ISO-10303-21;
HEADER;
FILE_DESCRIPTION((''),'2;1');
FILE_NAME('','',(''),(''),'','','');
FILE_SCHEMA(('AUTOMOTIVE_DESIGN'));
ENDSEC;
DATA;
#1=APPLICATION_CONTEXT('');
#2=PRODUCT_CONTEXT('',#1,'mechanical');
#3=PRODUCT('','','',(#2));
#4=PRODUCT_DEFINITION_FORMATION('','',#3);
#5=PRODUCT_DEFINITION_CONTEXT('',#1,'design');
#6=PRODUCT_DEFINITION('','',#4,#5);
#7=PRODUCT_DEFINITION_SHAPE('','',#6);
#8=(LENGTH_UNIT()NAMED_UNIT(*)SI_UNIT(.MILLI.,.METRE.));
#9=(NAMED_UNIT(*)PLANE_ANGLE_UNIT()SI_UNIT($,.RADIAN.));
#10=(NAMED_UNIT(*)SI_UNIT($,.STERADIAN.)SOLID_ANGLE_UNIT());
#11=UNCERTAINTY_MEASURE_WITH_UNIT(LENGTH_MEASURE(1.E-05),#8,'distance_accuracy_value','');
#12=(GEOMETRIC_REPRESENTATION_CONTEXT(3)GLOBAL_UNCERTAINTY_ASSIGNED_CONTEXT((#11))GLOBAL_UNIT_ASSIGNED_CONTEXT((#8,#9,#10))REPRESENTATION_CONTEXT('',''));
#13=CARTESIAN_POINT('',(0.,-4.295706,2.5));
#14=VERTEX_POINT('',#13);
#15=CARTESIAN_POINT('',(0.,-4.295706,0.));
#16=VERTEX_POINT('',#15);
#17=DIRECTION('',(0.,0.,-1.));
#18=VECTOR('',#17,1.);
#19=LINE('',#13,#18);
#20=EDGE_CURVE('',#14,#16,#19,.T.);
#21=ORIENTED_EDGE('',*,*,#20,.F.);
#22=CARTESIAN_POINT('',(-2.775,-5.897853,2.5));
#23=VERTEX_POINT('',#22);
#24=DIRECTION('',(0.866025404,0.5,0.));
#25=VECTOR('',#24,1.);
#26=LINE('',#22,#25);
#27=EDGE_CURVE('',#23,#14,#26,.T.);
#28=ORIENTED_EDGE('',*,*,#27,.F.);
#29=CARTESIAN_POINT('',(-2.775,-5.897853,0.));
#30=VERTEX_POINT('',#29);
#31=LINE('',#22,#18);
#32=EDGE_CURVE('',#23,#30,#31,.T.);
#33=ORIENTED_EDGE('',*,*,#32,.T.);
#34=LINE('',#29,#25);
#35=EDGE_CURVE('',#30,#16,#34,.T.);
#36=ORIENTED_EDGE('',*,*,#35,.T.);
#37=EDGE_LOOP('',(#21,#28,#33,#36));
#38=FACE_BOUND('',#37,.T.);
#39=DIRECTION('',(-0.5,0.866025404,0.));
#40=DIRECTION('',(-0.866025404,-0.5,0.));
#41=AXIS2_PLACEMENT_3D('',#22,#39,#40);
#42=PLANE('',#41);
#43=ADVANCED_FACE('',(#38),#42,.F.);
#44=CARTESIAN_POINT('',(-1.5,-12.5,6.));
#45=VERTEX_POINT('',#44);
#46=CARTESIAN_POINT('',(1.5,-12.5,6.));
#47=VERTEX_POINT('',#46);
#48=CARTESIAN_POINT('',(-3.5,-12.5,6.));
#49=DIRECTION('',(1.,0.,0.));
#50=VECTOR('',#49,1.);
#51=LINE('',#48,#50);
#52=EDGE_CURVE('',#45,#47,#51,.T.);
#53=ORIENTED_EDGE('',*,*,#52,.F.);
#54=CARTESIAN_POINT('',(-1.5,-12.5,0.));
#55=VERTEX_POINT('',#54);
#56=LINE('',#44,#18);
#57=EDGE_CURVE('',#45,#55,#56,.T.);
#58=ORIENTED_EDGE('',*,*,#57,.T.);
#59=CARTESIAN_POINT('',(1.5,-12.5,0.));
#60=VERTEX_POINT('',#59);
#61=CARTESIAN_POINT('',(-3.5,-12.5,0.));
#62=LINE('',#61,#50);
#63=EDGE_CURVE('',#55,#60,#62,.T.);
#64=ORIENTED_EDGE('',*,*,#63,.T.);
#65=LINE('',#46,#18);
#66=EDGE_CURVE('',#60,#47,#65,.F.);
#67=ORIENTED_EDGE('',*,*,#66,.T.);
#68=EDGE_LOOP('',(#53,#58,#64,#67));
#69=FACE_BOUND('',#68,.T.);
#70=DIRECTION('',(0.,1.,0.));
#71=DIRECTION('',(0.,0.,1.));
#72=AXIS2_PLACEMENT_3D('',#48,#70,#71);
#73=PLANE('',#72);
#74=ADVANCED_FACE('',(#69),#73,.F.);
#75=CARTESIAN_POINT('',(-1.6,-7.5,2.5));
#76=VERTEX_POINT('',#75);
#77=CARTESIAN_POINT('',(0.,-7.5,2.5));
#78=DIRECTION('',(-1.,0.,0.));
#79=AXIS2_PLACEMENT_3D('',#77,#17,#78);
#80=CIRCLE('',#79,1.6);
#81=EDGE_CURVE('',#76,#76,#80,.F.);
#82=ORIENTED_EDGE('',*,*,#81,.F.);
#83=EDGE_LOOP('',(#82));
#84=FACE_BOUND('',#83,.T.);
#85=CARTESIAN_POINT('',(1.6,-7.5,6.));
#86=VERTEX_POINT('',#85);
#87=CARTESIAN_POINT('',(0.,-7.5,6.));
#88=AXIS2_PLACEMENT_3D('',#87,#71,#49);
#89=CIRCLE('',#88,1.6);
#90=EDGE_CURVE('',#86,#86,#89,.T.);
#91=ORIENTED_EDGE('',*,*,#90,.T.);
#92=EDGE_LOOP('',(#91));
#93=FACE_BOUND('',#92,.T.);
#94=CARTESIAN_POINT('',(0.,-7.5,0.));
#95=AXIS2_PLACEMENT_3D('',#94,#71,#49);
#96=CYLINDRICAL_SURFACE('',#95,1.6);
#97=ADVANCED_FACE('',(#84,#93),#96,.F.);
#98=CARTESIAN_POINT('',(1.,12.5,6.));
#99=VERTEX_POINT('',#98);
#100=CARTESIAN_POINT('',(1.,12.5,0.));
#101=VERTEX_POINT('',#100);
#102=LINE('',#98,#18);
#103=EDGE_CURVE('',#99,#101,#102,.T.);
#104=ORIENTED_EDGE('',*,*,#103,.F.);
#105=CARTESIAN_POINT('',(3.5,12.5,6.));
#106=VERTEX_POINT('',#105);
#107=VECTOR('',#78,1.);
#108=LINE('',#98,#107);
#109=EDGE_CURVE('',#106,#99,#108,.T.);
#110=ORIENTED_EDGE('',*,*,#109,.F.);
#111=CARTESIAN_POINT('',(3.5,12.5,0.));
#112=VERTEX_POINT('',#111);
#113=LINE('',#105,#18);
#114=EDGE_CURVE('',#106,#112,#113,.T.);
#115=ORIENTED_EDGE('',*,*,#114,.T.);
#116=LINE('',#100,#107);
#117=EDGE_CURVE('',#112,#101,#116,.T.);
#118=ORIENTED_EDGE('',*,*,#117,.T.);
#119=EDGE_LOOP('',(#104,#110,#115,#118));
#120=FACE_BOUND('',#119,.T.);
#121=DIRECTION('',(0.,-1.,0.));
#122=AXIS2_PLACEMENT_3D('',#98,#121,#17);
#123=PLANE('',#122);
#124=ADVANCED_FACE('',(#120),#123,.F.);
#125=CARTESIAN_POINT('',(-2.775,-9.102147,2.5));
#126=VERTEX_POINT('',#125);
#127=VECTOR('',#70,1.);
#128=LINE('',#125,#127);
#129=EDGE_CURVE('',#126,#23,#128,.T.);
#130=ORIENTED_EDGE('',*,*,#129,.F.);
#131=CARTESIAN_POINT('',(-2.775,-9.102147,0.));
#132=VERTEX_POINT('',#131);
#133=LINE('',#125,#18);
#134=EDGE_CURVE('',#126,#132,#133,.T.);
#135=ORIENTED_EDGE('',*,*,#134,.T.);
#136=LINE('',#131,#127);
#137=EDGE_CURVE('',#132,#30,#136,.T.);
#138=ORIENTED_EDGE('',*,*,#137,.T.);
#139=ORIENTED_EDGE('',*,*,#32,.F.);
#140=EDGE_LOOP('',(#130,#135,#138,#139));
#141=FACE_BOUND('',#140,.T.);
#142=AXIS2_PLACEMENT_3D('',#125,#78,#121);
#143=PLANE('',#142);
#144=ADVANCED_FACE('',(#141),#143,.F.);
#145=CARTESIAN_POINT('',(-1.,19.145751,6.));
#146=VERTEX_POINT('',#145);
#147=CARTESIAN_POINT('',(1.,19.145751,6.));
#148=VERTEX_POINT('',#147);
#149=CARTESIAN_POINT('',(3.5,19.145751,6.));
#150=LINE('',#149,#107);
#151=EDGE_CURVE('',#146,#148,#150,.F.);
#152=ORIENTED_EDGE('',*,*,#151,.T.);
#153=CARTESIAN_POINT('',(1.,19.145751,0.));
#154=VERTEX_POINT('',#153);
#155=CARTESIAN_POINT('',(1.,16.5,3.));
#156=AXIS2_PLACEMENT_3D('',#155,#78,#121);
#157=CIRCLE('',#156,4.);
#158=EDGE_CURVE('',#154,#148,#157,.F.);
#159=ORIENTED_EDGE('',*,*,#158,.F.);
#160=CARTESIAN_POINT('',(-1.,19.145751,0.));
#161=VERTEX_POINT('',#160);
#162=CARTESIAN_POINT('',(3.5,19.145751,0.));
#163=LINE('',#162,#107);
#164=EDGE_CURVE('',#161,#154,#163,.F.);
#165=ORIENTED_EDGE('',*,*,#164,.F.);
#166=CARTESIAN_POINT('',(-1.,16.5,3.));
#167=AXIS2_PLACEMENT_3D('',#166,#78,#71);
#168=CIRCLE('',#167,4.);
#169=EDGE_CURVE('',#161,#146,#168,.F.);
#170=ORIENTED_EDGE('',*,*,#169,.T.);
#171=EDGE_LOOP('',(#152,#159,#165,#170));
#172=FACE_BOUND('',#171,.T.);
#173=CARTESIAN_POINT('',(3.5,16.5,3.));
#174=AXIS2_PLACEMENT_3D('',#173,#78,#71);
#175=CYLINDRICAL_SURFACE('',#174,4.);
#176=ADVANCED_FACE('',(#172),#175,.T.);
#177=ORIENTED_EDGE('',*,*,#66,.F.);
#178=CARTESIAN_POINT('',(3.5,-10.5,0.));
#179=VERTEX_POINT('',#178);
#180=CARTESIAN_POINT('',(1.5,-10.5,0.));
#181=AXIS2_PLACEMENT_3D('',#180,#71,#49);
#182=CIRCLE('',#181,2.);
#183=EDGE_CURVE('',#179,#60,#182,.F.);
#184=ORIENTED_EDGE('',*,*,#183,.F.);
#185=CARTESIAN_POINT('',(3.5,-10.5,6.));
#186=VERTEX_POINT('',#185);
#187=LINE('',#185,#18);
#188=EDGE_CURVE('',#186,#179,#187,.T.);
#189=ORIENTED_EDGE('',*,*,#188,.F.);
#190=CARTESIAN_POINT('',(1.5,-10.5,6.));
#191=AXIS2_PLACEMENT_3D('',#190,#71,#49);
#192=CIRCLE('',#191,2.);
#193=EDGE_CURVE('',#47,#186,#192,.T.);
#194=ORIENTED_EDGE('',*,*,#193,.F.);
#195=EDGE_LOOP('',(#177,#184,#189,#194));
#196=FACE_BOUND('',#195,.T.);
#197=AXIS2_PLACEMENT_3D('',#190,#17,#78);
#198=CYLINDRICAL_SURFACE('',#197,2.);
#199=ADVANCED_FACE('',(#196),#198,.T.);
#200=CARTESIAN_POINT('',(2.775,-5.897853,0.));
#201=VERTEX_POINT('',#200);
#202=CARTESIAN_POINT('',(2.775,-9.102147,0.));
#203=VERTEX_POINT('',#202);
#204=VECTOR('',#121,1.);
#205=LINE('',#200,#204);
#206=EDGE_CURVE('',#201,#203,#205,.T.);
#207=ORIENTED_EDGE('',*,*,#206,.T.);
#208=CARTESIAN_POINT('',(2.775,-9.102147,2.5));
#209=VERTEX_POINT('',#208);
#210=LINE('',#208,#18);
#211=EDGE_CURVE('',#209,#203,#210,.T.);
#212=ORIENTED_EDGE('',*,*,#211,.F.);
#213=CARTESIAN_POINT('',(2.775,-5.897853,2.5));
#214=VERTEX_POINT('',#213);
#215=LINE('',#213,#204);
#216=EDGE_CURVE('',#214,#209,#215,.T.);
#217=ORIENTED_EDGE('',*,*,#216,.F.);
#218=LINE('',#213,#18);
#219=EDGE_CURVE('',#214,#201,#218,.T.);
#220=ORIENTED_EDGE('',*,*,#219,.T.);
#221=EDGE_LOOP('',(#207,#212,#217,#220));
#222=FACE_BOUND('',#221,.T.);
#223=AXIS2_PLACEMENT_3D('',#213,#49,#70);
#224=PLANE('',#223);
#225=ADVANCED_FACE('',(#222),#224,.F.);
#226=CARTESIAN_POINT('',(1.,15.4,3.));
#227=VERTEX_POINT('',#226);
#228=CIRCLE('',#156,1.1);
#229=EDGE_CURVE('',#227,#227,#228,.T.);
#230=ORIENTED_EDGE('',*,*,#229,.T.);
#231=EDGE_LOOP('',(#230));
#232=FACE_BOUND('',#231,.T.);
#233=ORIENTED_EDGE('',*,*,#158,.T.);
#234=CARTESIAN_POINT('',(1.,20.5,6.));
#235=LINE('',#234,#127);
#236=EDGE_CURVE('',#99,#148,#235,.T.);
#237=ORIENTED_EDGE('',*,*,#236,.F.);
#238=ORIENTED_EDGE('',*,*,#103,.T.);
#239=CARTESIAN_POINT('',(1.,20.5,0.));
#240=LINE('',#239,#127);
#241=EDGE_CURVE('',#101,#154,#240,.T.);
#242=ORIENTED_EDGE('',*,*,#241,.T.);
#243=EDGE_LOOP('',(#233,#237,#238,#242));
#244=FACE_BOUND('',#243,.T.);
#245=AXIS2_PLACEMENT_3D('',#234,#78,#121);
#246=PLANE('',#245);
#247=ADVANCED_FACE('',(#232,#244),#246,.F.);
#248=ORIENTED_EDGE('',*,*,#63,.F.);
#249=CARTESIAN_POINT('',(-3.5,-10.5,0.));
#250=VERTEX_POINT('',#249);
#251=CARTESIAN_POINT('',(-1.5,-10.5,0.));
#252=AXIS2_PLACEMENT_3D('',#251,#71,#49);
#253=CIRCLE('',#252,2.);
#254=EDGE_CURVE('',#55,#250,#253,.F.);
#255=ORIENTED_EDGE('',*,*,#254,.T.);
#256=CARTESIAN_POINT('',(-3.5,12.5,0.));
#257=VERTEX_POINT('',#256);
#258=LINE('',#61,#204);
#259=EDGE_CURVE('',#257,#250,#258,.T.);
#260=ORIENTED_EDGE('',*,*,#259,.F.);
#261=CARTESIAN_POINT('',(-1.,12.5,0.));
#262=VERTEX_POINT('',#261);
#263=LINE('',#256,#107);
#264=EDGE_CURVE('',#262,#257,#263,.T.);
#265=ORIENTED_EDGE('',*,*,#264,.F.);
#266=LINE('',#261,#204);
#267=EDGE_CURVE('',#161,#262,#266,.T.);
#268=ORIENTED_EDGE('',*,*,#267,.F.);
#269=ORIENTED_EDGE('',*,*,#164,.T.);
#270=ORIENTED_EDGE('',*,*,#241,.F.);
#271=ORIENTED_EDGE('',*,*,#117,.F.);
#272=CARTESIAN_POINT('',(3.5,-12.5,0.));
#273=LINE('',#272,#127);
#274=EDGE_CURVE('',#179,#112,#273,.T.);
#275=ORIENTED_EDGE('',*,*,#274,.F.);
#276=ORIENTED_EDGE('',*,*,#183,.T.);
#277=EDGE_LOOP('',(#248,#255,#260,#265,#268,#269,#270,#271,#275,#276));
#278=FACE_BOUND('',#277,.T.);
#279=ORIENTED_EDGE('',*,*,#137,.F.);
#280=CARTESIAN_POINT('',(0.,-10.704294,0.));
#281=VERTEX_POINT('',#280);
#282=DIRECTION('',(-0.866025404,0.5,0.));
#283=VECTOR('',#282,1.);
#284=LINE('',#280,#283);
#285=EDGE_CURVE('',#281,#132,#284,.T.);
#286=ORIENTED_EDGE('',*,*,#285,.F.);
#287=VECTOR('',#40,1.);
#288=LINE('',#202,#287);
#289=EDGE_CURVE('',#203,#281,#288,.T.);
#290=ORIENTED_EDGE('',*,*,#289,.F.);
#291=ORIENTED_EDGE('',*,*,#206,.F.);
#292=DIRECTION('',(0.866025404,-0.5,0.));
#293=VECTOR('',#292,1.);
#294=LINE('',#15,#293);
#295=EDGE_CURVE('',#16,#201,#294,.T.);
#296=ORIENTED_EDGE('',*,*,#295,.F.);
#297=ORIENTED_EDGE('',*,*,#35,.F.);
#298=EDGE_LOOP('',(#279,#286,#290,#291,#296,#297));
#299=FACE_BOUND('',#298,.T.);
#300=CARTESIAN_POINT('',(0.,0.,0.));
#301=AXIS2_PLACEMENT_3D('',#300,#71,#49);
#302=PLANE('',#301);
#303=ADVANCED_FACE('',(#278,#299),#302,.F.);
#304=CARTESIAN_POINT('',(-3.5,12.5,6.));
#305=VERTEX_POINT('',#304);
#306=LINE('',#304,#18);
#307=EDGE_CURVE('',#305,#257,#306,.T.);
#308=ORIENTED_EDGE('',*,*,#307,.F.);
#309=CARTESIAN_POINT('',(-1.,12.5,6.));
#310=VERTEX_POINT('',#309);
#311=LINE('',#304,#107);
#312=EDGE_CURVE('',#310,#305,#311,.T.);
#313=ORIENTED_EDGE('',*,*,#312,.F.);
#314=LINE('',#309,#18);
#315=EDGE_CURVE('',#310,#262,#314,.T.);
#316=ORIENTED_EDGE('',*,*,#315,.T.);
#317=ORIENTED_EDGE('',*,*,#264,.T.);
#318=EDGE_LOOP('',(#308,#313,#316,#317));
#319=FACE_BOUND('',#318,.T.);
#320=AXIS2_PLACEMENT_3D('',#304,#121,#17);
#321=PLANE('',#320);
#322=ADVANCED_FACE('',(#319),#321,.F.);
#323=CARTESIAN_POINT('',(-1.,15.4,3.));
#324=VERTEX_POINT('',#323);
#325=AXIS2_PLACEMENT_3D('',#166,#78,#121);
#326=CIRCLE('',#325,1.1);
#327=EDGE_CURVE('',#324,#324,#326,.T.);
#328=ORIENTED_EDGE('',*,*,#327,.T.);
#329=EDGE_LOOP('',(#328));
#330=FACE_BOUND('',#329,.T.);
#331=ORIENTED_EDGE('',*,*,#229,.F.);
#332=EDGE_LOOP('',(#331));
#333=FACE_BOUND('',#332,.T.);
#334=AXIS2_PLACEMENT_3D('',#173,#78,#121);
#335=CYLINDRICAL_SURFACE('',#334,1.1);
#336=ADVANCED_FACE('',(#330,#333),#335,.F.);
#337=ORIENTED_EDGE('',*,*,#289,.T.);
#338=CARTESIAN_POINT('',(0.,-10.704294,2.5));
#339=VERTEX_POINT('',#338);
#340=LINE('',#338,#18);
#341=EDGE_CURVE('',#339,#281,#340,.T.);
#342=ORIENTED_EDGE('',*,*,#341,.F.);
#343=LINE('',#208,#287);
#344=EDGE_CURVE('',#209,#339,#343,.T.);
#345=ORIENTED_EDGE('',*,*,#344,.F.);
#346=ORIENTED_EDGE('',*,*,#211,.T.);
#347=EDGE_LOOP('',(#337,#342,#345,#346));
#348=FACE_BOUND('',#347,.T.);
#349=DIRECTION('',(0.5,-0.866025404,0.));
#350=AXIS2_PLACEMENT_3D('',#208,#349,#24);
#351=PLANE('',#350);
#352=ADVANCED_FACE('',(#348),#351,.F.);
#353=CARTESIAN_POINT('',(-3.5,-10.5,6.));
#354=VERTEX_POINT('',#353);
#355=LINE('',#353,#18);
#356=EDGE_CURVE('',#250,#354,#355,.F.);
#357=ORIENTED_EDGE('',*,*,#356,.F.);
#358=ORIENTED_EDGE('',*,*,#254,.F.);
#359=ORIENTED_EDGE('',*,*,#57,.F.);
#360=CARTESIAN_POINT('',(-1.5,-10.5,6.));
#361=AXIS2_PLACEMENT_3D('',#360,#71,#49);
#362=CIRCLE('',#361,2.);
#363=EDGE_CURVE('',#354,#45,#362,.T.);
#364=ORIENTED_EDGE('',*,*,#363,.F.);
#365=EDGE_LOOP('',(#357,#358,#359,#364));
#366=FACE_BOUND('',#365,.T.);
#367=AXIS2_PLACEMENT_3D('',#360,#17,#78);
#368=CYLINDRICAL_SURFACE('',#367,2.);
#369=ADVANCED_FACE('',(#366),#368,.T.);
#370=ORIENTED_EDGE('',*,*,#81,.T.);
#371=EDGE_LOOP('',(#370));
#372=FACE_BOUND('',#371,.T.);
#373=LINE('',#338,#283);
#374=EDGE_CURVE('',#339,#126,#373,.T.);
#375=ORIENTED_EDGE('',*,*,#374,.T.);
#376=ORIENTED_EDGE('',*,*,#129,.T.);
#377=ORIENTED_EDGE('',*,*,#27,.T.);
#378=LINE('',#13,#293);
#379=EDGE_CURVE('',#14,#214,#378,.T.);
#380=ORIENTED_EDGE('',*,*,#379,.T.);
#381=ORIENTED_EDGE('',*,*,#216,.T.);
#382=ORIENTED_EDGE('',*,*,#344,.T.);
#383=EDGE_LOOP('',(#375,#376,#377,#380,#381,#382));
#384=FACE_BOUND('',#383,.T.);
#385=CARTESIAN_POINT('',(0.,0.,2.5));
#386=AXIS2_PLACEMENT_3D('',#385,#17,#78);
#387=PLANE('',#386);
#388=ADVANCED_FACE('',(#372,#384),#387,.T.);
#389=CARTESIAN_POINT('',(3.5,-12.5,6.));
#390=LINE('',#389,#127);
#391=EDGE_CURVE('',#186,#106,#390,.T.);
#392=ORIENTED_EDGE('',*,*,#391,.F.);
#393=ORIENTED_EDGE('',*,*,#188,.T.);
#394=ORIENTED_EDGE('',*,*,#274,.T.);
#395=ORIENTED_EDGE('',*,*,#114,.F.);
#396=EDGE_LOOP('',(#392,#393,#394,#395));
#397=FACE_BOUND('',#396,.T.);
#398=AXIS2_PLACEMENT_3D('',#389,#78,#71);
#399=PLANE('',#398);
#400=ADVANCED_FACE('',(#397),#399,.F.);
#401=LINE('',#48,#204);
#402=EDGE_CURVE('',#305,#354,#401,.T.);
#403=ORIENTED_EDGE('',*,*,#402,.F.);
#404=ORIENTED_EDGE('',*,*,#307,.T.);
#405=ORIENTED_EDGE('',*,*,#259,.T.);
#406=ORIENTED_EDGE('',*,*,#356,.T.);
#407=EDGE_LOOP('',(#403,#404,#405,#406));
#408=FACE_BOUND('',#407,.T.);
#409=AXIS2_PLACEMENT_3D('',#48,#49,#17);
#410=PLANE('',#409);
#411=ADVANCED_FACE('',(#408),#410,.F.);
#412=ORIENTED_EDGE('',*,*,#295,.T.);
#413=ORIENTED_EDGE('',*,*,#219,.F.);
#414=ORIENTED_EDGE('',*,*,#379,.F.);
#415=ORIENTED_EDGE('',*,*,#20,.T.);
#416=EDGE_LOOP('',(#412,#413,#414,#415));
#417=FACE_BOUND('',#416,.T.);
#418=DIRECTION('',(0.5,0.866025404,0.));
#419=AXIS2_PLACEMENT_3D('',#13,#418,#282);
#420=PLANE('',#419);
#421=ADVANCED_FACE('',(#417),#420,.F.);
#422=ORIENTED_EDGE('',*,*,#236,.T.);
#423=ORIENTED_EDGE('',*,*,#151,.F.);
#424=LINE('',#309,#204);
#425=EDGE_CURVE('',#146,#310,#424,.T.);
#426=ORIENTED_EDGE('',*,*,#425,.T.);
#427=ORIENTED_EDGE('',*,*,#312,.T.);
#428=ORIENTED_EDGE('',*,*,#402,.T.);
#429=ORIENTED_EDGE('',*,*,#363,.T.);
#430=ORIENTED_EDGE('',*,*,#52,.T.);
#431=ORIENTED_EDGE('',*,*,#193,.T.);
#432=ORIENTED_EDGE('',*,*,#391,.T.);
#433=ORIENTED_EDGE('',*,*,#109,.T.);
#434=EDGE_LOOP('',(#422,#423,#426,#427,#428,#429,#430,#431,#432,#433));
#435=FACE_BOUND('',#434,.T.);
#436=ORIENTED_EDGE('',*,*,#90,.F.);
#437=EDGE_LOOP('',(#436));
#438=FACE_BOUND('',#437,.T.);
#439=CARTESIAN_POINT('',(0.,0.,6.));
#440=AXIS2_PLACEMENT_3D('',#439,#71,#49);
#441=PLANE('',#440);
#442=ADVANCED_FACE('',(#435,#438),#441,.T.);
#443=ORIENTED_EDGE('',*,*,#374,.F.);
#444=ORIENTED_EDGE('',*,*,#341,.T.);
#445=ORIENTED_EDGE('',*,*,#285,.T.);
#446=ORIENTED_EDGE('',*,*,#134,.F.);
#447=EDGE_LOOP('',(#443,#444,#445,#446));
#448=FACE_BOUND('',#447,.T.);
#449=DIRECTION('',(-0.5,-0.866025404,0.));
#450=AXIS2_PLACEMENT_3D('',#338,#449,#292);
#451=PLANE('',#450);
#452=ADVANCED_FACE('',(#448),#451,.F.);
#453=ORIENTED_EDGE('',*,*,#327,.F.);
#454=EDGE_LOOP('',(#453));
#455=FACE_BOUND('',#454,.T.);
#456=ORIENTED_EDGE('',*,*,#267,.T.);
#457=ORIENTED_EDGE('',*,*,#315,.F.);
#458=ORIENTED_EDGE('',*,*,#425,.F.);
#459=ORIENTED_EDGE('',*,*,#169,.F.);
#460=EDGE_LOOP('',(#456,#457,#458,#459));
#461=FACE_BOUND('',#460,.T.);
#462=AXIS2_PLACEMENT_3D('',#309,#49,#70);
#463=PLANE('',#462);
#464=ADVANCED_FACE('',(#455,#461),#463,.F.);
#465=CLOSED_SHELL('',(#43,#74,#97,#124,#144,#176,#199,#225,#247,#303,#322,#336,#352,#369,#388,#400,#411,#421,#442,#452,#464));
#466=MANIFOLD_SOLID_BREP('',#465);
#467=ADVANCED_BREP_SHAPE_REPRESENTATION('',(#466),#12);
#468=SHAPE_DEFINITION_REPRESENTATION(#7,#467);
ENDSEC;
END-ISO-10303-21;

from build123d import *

# Parameters (mm, degrees)
BOSS_EXTRUDE1_DEPTH = 6
SKETCH2_R           = 1.6
CUT_EXTRUDE1_DEPTH  = 22.644860822
CUT_EXTRUDE2_DEPTH  = 2.5
SKETCH4_R           = 1.1
CUT_EXTRUDE3_DEPTH  = 22.828879953
CUT_EXTRUDE4_DEPTH  = 22.828879953
FILLET1_R           = 2


with BuildPart() as part:
    # Sketch1 → Boss-Extrude1 (new body)
    with BuildSketch(Plane.XY):
        Polygon((-1, 12.5), (-1, 20.5), (1, 20.5), (1, 12.5), (3.5, 12.5), (3.5, -12.5), (-3.5, -12.5), (-3.5, 12.5), align=None)
    extrude(amount=BOSS_EXTRUDE1_DEPTH)

    # Sketch2 → Cut-Extrude1 (cut, through all)
    with BuildSketch(Plane.XY.offset(6)):
        with Locations((0, -7.5)):
            Circle(SKETCH2_R)
    extrude(amount=-CUT_EXTRUDE1_DEPTH, mode=Mode.SUBTRACT)

    # Sketch3 → Cut-Extrude2 (cut)
    with BuildSketch(Plane(origin=(0, 0, 0), x_dir=(-1, 0, 0), z_dir=(0, 0, -1))):
        Polygon((0, -4.295706006), (-2.775, -5.897853003), (-2.775, -9.102146997), (0, -10.704293994), (2.775, -9.102146997), (2.775, -5.897853003), align=None)
    extrude(amount=-CUT_EXTRUDE2_DEPTH, mode=Mode.SUBTRACT)

    # Sketch4 → Cut-Extrude3 (cut, through all)
    with BuildSketch(Plane.ZY.offset(1)):
        with Locations(Location((3, 16.5, 0), (0, 0, 270))):
            Circle(SKETCH4_R)
    extrude(amount=-CUT_EXTRUDE3_DEPTH, mode=Mode.SUBTRACT)

    # Sketch5 → Cut-Extrude4 (cut, through all)
    with BuildSketch(Plane.ZY.offset(1)):
        with BuildLine():
            Line((6, 20.5), (3, 20.5))
            ThreePointArc((3, 20.5), (4.645751311, 20.145751311), (6, 19.145751311))
            Line((6, 19.145751311), (6, 20.5))
        make_face()
        with BuildLine():
            Line((0, 20.5), (0, 19.145751311))
            ThreePointArc((0, 19.145751311), (1.354248689, 20.145751311), (3, 20.5))
            Line((3, 20.5), (0, 20.5))
        make_face()
    extrude(amount=-CUT_EXTRUDE4_DEPTH, mode=Mode.SUBTRACT)

    # Fillet1
    fillet1_edges = [part.edges().sort_by_distance(p)[0] for p in [
        (3.5, -12.5, 3),
        (-3.5, -12.5, 3),
    ]]
    fillet(fillet1_edges, radius=FILLET1_R)


solid = part.part
